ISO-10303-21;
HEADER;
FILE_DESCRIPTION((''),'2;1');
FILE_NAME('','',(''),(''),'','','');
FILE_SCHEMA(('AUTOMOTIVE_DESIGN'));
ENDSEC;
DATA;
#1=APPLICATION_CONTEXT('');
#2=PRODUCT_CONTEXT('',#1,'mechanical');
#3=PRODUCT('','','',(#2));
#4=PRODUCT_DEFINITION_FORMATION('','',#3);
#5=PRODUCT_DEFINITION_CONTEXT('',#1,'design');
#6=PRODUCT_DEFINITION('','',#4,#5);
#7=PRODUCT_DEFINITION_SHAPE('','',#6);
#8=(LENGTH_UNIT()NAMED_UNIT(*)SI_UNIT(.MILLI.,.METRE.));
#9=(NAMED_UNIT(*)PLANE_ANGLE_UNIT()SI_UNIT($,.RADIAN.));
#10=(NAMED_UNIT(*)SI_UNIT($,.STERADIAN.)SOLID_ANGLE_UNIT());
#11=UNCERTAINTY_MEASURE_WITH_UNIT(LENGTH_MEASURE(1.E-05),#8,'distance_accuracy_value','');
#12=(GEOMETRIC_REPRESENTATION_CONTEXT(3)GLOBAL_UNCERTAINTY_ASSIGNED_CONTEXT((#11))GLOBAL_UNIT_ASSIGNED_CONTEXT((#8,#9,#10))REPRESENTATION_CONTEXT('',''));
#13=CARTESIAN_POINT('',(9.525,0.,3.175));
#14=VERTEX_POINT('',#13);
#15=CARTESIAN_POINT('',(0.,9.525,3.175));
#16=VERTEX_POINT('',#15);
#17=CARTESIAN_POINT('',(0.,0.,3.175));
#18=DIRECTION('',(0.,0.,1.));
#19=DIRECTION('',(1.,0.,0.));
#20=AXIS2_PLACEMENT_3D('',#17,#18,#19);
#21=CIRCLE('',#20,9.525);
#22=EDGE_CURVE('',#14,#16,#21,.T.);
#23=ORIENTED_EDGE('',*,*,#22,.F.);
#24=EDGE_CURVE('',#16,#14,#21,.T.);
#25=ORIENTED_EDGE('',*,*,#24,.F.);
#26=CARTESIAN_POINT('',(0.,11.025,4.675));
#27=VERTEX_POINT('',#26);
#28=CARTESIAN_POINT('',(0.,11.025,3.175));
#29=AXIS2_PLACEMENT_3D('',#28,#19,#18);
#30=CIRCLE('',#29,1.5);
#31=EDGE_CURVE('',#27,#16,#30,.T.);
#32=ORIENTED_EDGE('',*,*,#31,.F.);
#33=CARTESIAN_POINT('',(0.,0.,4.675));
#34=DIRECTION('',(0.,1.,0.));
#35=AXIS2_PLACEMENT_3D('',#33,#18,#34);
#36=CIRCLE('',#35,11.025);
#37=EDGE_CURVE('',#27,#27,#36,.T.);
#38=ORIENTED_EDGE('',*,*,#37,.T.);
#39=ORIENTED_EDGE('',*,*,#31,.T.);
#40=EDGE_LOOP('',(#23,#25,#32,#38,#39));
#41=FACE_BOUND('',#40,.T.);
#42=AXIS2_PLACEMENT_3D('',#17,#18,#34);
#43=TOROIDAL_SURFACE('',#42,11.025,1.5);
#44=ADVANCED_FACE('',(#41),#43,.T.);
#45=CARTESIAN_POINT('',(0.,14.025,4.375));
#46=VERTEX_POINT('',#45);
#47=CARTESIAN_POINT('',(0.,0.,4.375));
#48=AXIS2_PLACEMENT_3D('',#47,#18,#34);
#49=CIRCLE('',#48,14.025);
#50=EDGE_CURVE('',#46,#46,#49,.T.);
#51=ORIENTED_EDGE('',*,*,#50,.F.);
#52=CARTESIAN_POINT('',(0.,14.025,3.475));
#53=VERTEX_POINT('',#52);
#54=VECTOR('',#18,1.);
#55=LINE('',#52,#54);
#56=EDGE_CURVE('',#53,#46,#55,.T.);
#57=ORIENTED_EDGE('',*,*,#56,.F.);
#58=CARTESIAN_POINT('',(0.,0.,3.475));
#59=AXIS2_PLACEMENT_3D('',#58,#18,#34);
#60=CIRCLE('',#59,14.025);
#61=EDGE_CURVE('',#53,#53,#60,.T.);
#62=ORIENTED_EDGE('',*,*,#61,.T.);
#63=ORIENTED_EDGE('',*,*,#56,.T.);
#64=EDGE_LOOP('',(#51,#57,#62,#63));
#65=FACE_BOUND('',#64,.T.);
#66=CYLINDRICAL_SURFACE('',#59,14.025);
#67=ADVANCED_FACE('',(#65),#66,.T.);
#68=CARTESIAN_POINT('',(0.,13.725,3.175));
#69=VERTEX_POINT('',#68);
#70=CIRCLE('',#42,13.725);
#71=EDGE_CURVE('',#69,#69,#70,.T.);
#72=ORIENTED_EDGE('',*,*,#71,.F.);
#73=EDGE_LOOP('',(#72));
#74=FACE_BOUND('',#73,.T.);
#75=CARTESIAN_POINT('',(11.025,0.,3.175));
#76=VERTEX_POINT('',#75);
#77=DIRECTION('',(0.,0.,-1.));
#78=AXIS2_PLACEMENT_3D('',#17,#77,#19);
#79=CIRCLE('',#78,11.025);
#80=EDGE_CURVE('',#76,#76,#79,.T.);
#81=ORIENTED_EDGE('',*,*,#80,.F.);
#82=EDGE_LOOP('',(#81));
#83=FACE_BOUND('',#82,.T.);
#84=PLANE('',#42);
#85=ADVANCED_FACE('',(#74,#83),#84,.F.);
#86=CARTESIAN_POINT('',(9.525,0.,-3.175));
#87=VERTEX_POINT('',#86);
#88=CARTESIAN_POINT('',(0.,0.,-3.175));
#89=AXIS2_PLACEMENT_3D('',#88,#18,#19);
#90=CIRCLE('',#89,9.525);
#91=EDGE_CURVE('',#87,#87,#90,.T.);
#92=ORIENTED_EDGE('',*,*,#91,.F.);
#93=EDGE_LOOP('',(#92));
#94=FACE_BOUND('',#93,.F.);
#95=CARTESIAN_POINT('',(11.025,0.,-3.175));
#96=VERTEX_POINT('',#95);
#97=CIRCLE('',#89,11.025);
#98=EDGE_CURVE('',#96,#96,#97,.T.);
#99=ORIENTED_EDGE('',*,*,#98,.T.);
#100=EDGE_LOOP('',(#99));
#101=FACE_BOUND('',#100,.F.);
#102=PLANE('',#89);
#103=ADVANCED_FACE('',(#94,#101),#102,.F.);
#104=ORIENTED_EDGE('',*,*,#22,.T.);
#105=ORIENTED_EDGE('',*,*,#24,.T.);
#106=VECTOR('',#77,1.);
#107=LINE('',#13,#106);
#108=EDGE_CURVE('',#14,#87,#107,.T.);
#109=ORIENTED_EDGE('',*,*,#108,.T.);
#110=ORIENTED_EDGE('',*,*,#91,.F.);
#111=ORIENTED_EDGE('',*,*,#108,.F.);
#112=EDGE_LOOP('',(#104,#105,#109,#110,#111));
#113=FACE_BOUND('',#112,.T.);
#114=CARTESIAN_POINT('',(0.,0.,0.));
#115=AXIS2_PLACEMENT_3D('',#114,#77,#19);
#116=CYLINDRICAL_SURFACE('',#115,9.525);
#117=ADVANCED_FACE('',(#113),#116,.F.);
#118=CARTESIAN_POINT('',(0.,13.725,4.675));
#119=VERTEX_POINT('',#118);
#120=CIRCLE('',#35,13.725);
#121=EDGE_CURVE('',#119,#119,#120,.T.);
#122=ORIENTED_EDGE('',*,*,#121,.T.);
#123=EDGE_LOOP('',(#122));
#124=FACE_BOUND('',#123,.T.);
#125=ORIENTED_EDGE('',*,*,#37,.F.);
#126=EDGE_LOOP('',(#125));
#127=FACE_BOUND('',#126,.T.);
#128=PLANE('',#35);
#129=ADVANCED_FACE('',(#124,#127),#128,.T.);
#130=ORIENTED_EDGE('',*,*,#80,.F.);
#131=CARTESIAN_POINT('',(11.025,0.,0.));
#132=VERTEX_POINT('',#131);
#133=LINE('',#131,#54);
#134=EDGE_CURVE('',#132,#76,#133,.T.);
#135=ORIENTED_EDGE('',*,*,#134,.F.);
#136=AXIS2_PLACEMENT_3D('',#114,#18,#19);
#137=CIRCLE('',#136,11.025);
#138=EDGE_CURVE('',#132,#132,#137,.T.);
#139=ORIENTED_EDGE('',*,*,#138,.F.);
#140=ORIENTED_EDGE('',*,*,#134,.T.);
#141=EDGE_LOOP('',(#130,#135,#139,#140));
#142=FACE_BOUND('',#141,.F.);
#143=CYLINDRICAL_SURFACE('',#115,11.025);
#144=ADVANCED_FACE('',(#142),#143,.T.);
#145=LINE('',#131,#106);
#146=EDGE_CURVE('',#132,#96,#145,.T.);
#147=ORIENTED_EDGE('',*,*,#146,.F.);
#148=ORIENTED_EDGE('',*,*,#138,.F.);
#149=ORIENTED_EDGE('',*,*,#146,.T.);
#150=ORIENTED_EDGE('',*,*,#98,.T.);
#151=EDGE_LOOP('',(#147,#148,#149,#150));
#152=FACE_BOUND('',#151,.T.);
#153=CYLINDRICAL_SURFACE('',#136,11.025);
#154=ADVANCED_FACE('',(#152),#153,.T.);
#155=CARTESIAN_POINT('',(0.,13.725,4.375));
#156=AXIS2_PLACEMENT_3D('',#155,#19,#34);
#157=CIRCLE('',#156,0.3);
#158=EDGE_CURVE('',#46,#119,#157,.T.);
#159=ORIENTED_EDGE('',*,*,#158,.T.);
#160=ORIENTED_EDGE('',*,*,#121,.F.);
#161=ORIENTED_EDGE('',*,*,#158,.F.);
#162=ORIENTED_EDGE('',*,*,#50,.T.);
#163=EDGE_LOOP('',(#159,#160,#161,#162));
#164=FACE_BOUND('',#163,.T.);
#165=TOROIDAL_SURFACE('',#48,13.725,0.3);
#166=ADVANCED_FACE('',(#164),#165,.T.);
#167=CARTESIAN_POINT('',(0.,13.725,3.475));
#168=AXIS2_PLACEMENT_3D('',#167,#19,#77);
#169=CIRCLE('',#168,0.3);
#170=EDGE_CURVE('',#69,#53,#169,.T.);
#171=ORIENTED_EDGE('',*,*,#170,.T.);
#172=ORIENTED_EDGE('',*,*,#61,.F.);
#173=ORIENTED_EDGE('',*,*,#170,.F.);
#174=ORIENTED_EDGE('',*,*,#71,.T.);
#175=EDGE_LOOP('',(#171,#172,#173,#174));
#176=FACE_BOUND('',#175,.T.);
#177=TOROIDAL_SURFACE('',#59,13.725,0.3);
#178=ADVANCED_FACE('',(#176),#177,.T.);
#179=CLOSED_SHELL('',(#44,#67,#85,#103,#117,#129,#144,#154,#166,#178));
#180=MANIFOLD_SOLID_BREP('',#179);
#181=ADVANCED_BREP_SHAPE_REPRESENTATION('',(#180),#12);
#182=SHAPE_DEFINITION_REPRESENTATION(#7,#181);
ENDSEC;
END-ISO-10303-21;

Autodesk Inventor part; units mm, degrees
ref_plane "YZ Plane" through (0, 0, 0) normal (1, 0, 0) x (0, 1, 0)
ref_plane "XZ Plane" through (0, 0, 0) normal (0, 1, 0) x (-1, 0, 0)
ref_plane "XY Plane" through (0, 0, 0) normal (0, 0, 1) x (1, 0, 0)
sketch "Boceto1" plane through (0, 0, 0) normal (0, 0, 1) x (1, 0, 0)
  circle A0 centre (0, 0) radius 9.525
  circle A1 centre (0, 0) radius 11.025
  dimension "d0" = 19.05
  dimension "d1" = 22.05
extrude "Extrusión1" add sketch "Boceto1" along normal mid plane 6.35
sketch "Boceto2" plane through (0, 0, 0) normal (1, 0, 0) x (0, 1, 0)
  line L0 (11.025, 3.175) -> (13.725, 3.175)
  line L1 (14.025, 3.475) -> (14.025, 4.375)
  line L2 (13.725, 4.675) -> (11.025, 4.675)
  arc A0 (11.025, 4.675) -> (9.525, 3.175) centre (11.025, 3.175) ccw
  arc A1 (13.725, 3.175) -> (14.025, 3.475) centre (13.725, 3.475) ccw
  arc A2 (14.025, 4.375) -> (13.725, 4.675) centre (13.725, 4.375) ccw
  line L3 (11.025, 3.175) -> (9.525, 3.175)
  line L4 (0, -0.9971) -> (0, 5.9828) projected
  point P0 (0, 0)
  point P1 (14.025, 3.175)
  point P2 (14.025, 4.675)
  dimension "d4" = 3
  dimension "d5" = 1.5
  dimension "d6" = 3
  dimension "d7" = 0.3
revolve "Revolución1" add sketch "Boceto2" angle 360 about axis through (0, 0, -10) along (0, 0, 1)
properties part number "Buje soporte superior"
